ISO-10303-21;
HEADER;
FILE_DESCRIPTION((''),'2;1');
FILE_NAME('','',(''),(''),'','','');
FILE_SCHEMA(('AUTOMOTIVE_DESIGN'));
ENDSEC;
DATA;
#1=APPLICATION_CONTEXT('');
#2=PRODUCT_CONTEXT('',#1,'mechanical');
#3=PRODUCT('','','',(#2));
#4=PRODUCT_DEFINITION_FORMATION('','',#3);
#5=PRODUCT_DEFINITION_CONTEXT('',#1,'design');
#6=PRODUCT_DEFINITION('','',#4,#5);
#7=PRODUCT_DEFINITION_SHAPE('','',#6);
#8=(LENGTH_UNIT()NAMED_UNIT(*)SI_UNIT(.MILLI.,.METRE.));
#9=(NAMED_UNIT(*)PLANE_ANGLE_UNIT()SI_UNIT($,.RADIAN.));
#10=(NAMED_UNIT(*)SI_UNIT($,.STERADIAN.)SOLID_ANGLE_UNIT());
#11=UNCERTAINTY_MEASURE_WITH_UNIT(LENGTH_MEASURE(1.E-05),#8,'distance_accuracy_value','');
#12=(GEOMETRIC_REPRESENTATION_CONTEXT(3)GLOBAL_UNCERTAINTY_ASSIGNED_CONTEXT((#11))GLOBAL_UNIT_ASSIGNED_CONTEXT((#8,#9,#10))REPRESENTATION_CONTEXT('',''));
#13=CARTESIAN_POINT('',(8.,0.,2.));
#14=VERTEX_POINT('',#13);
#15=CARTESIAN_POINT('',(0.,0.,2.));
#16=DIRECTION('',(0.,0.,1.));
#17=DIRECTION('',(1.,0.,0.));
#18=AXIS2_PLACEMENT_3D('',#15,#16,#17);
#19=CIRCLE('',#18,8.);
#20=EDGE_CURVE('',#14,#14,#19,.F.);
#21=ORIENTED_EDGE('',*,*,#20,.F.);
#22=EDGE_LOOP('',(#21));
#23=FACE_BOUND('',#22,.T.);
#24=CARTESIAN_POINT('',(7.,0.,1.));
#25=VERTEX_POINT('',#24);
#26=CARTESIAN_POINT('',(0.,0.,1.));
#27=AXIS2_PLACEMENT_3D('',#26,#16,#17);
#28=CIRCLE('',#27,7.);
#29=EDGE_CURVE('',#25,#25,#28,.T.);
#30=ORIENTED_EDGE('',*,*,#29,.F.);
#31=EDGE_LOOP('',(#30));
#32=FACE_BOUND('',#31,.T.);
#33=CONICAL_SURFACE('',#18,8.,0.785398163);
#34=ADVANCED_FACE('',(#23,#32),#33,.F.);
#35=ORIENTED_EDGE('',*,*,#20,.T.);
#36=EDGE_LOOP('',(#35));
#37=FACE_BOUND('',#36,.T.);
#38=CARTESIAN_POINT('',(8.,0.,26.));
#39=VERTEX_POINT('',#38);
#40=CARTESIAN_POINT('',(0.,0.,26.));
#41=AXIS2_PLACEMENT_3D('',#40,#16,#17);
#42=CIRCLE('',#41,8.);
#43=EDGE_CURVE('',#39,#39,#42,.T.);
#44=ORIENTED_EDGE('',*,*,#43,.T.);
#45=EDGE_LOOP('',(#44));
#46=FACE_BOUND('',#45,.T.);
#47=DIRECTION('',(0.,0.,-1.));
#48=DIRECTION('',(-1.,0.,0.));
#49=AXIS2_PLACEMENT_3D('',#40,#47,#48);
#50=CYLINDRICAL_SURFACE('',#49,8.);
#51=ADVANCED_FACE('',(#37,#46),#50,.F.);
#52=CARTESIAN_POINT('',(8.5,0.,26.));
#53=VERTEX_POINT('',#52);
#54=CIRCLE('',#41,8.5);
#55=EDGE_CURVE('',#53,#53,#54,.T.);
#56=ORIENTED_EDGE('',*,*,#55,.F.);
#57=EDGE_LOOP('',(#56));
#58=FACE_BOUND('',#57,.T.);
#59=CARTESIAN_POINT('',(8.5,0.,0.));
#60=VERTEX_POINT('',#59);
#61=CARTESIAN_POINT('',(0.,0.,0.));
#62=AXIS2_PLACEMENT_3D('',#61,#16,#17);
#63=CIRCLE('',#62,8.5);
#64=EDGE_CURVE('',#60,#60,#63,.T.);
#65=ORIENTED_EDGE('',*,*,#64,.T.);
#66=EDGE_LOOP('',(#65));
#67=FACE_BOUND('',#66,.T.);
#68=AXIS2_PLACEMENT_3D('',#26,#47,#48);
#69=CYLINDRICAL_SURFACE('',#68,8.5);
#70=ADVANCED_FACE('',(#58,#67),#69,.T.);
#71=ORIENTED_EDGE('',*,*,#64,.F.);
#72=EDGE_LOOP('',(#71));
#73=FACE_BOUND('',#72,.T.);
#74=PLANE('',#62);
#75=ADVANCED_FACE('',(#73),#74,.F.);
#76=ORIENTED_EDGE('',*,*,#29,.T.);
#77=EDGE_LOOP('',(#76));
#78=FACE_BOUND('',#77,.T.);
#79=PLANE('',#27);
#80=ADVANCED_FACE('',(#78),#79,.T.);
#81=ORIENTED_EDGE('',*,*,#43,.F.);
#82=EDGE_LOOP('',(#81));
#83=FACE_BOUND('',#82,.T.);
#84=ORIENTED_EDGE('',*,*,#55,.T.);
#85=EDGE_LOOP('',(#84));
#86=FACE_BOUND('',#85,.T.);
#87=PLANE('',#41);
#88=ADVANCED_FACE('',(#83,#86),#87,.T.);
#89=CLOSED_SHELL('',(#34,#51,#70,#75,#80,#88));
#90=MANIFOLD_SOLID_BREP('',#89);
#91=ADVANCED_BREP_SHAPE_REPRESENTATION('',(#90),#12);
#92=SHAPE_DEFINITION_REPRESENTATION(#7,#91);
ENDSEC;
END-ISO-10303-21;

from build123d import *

# Parameters (mm, degrees)
SKETCH1_R           = 8.5
BOSS_EXTRUDE1_DEPTH = 1
SKETCH2_R           = 8.5
SKETCH2_R_2         = 8
BOSS_EXTRUDE2_DEPTH = 25
CHAMFER1_SIZE       = 1


with BuildPart() as part:
    # Sketch1 → Boss-Extrude1 (new body)
    with BuildSketch(Plane.XY):
        Circle(SKETCH1_R)
    extrude(amount=BOSS_EXTRUDE1_DEPTH)

    # Sketch2 → Boss-Extrude2 (add)
    with BuildSketch(Plane.XY.offset(1)):
        Circle(SKETCH2_R)
        Circle(SKETCH2_R_2, mode=Mode.SUBTRACT)
    extrude(amount=BOSS_EXTRUDE2_DEPTH)

    # Chamfer1
    chamfer1_edges = [part.edges().sort_by_distance(p)[0] for p in [
        (-8, 0, 1),
    ]]
    chamfer(chamfer1_edges, length=CHAMFER1_SIZE)


solid = part.part
